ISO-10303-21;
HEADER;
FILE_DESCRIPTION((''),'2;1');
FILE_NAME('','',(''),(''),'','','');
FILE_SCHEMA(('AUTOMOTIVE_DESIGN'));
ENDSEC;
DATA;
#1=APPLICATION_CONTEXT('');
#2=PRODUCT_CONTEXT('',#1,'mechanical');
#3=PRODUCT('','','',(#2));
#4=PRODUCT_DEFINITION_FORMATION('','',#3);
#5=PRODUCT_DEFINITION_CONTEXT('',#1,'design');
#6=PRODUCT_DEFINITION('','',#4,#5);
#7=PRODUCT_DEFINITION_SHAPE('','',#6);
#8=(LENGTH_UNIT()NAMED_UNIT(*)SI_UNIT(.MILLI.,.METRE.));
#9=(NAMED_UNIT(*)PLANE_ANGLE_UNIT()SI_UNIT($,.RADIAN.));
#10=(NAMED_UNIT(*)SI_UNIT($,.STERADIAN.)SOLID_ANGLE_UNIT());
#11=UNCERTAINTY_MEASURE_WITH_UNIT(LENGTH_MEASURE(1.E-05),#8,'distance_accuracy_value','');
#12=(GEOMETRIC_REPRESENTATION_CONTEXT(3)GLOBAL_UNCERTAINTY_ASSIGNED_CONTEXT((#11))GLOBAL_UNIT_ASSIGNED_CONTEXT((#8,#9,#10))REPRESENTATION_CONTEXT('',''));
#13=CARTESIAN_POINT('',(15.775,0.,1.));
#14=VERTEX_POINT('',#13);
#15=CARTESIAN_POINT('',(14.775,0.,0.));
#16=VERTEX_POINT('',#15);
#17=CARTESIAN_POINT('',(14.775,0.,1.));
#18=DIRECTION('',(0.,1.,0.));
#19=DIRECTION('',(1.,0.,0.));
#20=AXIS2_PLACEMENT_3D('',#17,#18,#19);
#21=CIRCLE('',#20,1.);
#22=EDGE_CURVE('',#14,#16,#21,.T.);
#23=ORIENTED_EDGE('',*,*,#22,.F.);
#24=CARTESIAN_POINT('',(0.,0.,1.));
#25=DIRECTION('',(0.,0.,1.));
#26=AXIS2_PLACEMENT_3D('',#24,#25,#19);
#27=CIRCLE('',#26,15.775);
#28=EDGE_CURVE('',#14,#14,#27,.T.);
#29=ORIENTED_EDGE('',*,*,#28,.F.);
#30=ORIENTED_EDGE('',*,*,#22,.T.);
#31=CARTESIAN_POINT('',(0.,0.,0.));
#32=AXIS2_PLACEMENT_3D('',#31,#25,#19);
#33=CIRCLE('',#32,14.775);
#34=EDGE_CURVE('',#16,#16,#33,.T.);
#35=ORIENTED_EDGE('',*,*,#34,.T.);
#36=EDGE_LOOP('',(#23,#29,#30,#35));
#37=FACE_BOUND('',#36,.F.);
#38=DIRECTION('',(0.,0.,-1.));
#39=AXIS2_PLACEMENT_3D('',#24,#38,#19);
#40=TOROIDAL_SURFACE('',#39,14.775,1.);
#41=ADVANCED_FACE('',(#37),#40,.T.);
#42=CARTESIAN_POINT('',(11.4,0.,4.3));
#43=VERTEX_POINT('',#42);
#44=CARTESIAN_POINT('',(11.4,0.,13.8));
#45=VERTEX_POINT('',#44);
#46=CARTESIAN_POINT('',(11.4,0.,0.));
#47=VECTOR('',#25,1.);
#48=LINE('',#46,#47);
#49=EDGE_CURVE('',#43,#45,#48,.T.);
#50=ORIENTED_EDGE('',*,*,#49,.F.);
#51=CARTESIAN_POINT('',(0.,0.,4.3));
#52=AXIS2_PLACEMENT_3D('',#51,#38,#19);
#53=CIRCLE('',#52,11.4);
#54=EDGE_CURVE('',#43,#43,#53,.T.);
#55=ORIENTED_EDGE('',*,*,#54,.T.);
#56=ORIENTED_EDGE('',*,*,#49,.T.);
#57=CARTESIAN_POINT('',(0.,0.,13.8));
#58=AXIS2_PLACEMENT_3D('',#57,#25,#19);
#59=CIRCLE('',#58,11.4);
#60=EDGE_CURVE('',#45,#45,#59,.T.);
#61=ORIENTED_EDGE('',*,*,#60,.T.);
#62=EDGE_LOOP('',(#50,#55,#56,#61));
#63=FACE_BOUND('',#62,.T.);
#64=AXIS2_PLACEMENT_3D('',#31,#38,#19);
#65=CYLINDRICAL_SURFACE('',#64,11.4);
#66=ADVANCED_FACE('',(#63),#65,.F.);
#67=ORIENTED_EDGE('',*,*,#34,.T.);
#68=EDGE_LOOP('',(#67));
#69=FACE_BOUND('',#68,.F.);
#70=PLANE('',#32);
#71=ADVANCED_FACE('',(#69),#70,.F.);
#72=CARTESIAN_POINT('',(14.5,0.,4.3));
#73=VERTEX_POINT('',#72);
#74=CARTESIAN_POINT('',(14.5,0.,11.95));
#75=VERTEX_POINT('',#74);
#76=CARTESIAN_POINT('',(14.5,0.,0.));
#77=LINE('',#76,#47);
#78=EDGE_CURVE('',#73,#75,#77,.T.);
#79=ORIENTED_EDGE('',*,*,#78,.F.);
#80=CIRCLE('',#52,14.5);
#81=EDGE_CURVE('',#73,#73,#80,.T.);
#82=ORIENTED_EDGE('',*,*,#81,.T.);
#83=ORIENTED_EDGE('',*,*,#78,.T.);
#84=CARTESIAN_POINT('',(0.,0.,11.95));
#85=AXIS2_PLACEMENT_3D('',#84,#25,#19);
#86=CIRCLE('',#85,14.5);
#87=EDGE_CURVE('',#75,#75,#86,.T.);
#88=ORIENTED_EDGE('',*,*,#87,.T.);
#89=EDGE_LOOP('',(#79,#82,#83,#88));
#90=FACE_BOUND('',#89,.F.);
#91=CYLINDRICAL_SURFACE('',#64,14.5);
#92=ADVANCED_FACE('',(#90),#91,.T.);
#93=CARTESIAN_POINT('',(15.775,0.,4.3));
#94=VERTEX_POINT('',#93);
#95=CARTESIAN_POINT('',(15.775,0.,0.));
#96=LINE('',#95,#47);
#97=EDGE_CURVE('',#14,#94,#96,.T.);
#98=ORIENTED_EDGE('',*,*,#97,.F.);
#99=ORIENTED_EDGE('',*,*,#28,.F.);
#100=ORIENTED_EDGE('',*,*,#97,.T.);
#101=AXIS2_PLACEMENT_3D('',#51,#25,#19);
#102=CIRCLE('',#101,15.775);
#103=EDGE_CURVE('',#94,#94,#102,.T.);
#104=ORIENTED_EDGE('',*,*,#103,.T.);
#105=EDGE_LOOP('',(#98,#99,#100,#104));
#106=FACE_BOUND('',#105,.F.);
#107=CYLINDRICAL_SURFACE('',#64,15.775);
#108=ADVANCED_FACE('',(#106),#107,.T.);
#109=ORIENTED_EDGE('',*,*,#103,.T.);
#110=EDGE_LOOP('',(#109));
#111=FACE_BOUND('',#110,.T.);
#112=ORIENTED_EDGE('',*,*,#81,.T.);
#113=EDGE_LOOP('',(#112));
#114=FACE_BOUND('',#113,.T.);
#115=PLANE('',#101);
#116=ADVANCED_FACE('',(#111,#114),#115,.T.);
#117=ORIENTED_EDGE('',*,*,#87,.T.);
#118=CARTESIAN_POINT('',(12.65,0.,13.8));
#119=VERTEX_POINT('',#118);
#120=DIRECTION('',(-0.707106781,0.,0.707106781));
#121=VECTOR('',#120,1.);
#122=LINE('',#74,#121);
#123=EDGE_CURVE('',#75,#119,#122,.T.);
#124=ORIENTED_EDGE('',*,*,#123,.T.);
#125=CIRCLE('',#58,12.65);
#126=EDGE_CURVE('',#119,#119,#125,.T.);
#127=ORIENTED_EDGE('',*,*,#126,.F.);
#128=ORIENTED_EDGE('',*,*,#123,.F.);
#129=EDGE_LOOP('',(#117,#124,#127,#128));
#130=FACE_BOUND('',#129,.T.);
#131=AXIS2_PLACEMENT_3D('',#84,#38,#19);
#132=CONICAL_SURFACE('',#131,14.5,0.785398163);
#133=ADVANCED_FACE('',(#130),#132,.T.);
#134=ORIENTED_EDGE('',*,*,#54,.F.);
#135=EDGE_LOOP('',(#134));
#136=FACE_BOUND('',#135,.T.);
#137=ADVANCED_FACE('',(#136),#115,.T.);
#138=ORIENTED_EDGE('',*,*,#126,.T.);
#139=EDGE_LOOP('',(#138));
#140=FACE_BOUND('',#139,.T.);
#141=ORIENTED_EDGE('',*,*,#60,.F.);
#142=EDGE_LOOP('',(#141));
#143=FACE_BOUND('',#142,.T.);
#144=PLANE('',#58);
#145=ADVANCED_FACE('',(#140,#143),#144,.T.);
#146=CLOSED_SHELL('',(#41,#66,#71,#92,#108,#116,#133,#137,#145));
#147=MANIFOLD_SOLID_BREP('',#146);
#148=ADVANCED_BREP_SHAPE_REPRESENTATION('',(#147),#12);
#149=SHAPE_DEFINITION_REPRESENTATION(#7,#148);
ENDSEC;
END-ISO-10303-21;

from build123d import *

# Parameters (mm, degrees)
F0_R     = 15.775
F0_R_2   = 14.5
F0_R_3   = 11.4
F1_DEPTH = 4.3
F2_DEPTH = 13.8
F3_SIZE  = 1.85
F4_R     = 1


with BuildPart() as f1:
    # F0 (on Top) → F1 (new body)
    with BuildSketch(Plane.XY):
        Circle(F0_R)
        Circle(F0_R_2, mode=Mode.SUBTRACT)
        Circle(F0_R_2)
        Circle(F0_R_3, mode=Mode.SUBTRACT)
        Circle(F0_R_3)
    extrude(amount=F1_DEPTH)

    # F0 (on Top) → F2 (join)
    with BuildSketch(Plane.XY):
        Circle(F0_R_2)
        Circle(F0_R_3, mode=Mode.SUBTRACT)
    extrude(amount=F2_DEPTH)

    # F3
    f3_edges = [f1.edges().sort_by_distance(p)[0] for p in [
        (-14.5, 0, 13.8),
    ]]
    chamfer(f3_edges, length=F3_SIZE)

    # F4
    f4_edges = [f1.edges().sort_by_distance(p)[0] for p in [
        (-15.775, 0, 0),
    ]]
    fillet(f4_edges, radius=F4_R)


solid = f1.part
